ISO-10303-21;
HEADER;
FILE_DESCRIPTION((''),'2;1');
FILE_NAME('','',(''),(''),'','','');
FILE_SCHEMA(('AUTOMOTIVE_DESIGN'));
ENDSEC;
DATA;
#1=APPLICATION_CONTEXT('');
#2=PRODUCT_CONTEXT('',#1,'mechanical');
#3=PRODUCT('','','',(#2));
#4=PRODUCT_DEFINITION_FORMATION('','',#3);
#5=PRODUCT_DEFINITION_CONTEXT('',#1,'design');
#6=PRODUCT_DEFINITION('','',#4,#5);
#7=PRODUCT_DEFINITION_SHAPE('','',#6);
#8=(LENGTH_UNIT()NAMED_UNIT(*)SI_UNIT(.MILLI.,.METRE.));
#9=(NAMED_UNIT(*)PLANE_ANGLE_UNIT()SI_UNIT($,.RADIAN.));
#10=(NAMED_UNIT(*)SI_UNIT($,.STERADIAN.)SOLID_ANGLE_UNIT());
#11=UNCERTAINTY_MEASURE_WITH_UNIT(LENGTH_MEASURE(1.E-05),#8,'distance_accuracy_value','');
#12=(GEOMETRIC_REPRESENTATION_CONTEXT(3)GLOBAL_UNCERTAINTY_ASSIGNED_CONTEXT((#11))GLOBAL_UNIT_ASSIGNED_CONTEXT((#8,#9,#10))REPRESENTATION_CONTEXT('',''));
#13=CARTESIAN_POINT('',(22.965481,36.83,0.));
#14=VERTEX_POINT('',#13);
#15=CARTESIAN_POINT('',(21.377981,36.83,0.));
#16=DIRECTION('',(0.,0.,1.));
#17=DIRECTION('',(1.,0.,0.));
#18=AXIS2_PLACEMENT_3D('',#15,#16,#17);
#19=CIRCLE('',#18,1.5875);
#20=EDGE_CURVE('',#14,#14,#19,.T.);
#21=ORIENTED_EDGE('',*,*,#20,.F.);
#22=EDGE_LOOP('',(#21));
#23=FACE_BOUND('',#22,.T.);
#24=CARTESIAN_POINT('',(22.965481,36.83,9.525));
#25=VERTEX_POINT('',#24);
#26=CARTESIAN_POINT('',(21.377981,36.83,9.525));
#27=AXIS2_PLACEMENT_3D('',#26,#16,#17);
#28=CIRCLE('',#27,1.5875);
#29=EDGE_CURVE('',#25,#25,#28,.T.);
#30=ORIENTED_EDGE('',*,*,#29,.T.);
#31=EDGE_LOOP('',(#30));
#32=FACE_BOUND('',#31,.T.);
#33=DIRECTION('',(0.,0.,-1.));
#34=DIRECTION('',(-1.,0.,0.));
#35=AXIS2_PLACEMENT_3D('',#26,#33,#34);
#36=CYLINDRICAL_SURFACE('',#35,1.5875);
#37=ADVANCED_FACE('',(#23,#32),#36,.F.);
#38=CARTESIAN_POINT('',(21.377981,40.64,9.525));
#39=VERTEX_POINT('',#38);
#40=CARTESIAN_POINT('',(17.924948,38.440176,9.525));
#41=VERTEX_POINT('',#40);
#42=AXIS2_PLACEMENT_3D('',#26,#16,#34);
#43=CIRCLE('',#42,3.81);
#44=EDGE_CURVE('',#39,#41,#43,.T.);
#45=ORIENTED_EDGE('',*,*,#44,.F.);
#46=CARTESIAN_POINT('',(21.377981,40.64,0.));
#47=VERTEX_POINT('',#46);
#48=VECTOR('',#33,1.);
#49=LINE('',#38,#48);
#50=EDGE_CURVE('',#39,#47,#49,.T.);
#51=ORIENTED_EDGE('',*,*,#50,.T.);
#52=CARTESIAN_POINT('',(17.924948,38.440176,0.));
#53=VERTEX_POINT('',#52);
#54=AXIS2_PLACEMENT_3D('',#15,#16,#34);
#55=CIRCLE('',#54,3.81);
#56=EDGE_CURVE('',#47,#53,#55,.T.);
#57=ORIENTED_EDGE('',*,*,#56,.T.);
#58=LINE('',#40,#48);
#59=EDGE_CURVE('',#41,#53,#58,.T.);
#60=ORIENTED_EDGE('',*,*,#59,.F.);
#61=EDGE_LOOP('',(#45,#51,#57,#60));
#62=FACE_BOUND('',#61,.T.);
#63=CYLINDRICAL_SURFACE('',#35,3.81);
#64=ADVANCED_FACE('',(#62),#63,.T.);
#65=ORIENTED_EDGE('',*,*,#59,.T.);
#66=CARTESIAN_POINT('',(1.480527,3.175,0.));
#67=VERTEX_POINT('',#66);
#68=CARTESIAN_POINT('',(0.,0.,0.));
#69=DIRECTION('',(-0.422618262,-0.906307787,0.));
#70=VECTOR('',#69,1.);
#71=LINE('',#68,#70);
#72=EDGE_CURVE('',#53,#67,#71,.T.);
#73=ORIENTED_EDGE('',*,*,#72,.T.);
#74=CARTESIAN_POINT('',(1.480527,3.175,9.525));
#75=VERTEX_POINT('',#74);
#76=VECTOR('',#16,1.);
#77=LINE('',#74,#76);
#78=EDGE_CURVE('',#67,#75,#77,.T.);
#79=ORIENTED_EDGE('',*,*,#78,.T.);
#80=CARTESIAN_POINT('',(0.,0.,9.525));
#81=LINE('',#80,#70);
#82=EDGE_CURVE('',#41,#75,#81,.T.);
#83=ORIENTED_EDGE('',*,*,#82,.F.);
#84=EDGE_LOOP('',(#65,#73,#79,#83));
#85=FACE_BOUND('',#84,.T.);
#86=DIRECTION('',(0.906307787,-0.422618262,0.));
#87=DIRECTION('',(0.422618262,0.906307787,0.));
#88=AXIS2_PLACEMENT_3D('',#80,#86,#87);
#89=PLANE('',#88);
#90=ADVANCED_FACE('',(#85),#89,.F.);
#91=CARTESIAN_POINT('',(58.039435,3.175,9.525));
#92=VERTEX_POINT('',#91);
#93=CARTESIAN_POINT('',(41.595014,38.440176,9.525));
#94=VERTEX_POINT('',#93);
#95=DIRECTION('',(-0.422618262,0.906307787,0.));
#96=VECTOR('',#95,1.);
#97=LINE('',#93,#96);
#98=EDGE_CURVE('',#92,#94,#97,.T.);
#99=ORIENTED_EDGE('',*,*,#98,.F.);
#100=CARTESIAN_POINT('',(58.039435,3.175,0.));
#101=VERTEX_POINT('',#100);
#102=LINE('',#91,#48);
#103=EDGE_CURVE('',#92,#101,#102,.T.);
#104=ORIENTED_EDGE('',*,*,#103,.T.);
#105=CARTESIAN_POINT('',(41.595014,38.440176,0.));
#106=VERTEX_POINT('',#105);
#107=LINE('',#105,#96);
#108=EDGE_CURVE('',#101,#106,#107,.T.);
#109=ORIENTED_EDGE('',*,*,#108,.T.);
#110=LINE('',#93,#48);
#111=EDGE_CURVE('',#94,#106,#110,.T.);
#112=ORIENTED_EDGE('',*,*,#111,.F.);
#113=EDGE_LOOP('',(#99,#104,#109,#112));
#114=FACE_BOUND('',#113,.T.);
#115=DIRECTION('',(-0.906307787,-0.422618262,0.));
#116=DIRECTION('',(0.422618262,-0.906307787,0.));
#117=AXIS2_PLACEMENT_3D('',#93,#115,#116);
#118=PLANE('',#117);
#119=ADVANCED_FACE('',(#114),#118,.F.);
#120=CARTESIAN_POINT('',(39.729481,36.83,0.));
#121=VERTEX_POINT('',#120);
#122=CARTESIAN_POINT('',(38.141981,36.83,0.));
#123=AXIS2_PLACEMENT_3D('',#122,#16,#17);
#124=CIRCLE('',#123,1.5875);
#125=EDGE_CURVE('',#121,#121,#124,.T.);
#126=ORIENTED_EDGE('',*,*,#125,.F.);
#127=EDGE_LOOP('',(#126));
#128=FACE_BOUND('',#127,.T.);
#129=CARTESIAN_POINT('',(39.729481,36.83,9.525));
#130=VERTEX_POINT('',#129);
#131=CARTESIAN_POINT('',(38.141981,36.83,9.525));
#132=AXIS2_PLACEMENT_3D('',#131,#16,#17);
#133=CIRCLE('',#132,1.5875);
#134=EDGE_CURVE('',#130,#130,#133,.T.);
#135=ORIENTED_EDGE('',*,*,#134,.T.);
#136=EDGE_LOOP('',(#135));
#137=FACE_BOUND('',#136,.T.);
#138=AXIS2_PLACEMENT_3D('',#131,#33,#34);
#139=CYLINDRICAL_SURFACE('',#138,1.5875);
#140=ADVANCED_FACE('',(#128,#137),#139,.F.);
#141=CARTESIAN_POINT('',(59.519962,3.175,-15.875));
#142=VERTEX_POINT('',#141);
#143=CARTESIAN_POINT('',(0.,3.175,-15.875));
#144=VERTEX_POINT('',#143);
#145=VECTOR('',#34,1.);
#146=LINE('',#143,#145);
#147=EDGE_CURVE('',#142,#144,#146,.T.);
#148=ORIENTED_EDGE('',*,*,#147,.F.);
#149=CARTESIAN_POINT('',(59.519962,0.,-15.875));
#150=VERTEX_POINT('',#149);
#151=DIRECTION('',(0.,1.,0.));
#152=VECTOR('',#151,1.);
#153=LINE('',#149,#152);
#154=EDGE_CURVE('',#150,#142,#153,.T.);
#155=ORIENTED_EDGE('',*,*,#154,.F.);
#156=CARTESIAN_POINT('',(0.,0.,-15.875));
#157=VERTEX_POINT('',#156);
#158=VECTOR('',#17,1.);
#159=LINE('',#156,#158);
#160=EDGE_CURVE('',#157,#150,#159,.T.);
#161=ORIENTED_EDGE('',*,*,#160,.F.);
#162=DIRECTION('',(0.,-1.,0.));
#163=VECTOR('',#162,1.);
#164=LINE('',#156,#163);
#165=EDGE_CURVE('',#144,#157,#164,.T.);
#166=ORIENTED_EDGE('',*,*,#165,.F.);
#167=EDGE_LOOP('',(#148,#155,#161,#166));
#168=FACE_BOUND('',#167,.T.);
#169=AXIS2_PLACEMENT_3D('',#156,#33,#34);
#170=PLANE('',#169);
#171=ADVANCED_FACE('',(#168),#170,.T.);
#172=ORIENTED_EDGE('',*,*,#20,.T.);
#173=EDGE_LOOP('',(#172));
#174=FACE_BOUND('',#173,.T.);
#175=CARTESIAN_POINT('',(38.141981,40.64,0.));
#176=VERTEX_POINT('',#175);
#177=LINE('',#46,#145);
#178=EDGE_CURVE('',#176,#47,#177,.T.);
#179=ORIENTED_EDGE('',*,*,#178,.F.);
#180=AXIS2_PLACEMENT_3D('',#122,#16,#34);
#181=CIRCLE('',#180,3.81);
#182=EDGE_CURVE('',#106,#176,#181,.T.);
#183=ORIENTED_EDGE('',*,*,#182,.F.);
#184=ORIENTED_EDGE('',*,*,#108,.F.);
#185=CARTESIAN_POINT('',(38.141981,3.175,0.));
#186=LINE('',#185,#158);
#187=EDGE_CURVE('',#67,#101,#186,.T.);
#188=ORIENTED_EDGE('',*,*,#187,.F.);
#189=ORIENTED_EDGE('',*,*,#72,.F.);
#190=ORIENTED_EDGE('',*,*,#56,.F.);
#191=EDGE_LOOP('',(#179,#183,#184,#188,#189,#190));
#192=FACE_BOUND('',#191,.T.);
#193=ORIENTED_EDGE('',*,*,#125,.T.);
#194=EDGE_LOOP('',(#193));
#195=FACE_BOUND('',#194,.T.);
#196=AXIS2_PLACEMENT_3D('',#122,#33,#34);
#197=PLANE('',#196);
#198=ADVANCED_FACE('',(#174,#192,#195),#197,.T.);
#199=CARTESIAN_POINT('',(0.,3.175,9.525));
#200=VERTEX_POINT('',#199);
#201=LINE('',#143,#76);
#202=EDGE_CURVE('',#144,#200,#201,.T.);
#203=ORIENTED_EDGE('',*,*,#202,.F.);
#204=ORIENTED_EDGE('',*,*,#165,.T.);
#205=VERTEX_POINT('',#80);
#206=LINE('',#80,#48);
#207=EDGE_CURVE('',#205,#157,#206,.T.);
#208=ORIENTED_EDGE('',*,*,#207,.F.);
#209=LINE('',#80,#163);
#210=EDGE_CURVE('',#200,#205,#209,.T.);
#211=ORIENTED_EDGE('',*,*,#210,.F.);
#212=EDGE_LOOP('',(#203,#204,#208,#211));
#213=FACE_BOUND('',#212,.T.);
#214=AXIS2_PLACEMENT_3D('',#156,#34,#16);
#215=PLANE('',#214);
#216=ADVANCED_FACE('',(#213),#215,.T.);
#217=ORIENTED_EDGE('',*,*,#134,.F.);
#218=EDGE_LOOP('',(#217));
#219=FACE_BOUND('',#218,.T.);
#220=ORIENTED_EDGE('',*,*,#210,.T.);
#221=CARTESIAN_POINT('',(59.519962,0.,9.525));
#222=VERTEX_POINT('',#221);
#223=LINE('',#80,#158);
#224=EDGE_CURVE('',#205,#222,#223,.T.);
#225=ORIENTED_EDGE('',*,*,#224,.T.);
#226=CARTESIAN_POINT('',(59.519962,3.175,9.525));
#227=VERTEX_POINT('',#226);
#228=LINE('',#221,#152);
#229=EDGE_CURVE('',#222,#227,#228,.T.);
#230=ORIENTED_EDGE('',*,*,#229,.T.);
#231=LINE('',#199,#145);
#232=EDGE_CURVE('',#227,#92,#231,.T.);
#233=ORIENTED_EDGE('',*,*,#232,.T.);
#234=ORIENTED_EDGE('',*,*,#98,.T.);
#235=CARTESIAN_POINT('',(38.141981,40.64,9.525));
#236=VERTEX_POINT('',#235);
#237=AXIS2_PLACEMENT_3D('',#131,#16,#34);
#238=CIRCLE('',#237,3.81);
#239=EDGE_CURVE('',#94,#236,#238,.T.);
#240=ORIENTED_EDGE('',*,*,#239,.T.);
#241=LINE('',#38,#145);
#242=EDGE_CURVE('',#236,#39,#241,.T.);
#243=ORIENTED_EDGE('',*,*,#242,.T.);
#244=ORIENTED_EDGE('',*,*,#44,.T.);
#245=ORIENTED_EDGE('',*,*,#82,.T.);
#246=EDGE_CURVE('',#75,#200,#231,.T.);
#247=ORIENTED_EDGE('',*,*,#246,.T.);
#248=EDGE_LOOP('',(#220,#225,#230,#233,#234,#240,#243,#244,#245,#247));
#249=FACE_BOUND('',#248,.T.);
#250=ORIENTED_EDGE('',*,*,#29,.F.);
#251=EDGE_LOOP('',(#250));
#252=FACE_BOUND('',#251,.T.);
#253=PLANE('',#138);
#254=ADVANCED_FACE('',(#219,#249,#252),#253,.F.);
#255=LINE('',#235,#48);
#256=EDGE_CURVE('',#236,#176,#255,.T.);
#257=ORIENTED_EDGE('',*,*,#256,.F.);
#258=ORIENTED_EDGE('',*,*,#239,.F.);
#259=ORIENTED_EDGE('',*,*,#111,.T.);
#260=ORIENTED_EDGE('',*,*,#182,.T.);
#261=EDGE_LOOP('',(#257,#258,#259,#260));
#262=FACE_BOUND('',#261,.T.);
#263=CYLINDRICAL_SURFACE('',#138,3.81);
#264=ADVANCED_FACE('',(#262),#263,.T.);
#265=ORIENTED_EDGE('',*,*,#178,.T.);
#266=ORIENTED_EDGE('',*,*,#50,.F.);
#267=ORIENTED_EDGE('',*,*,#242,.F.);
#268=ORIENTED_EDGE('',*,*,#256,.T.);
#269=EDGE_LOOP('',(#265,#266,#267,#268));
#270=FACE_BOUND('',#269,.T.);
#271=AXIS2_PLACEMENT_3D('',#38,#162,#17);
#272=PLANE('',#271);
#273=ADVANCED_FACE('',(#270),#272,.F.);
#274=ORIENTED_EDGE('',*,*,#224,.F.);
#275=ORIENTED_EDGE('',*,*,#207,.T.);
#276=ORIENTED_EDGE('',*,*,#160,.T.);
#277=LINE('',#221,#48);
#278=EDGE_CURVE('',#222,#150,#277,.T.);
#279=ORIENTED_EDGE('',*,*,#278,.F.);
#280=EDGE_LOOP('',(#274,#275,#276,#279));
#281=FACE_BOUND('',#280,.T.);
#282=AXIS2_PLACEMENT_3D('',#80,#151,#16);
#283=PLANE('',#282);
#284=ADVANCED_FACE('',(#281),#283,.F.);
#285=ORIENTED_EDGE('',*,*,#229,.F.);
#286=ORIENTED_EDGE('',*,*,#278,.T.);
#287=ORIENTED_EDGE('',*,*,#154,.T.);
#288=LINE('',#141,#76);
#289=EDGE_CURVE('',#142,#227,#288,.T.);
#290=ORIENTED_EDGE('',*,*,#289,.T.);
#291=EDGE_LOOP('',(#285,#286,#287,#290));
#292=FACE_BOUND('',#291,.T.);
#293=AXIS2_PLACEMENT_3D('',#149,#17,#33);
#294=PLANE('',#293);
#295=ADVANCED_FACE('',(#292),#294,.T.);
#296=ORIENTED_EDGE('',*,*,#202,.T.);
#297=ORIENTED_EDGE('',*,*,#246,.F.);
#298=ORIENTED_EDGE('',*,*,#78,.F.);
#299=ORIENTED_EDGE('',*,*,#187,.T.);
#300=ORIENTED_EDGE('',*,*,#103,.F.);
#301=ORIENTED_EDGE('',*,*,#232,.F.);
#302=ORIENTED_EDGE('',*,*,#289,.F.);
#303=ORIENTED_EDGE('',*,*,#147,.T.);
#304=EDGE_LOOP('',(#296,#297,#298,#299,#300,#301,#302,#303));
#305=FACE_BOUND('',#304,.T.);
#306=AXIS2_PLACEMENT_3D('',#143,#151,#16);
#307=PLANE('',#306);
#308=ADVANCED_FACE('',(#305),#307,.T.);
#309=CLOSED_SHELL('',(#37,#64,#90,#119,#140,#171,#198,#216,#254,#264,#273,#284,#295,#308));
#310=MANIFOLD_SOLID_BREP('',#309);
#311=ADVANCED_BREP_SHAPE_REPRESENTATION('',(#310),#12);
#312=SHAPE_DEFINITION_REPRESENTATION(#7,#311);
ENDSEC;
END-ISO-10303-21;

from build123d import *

# Parameters (mm, degrees)
SKETCH1_R           = 1.5875
BOSS_EXTRUDE1_DEPTH = 9.525
SKETCH2_W           = 59.519961842
SKETCH2_H           = 3.175
BOSS_EXTRUDE2_DEPTH = 25.4


with BuildPart() as part:
    # Sketch1 → Boss-Extrude1 (new body)
    with BuildSketch(Plane.XY):
        with BuildLine():
            Line((0, 0), (17.924948252, 38.440175577))
            ThreePointArc((17.924948252, 38.440175577), (19.330869413, 40.043321409), (21.377980921, 40.64))
            Line((21.377980921, 40.64), (38.141980921, 40.64))
            ThreePointArc((38.141980921, 40.64), (40.189092429, 40.043321409), (41.59501359, 38.440175577))
            Line((41.59501359, 38.440175577), (59.519961842, 0))
            Line((59.519961842, 0), (0, 0))
        make_face()
        with Locations((21.377980921, 36.83)):
            Circle(SKETCH1_R, mode=Mode.SUBTRACT)
        with Locations((38.141980921, 36.83)):
            Circle(SKETCH1_R, mode=Mode.SUBTRACT)
    extrude(amount=BOSS_EXTRUDE1_DEPTH)

    # Sketch2 → Boss-Extrude2 (add)
    with BuildSketch(Plane.XY.offset(9.525)):
        with Locations((29.759980921, 1.5875)):
            Rectangle(SKETCH2_W, SKETCH2_H)
    extrude(amount=-BOSS_EXTRUDE2_DEPTH)


solid = part.part
